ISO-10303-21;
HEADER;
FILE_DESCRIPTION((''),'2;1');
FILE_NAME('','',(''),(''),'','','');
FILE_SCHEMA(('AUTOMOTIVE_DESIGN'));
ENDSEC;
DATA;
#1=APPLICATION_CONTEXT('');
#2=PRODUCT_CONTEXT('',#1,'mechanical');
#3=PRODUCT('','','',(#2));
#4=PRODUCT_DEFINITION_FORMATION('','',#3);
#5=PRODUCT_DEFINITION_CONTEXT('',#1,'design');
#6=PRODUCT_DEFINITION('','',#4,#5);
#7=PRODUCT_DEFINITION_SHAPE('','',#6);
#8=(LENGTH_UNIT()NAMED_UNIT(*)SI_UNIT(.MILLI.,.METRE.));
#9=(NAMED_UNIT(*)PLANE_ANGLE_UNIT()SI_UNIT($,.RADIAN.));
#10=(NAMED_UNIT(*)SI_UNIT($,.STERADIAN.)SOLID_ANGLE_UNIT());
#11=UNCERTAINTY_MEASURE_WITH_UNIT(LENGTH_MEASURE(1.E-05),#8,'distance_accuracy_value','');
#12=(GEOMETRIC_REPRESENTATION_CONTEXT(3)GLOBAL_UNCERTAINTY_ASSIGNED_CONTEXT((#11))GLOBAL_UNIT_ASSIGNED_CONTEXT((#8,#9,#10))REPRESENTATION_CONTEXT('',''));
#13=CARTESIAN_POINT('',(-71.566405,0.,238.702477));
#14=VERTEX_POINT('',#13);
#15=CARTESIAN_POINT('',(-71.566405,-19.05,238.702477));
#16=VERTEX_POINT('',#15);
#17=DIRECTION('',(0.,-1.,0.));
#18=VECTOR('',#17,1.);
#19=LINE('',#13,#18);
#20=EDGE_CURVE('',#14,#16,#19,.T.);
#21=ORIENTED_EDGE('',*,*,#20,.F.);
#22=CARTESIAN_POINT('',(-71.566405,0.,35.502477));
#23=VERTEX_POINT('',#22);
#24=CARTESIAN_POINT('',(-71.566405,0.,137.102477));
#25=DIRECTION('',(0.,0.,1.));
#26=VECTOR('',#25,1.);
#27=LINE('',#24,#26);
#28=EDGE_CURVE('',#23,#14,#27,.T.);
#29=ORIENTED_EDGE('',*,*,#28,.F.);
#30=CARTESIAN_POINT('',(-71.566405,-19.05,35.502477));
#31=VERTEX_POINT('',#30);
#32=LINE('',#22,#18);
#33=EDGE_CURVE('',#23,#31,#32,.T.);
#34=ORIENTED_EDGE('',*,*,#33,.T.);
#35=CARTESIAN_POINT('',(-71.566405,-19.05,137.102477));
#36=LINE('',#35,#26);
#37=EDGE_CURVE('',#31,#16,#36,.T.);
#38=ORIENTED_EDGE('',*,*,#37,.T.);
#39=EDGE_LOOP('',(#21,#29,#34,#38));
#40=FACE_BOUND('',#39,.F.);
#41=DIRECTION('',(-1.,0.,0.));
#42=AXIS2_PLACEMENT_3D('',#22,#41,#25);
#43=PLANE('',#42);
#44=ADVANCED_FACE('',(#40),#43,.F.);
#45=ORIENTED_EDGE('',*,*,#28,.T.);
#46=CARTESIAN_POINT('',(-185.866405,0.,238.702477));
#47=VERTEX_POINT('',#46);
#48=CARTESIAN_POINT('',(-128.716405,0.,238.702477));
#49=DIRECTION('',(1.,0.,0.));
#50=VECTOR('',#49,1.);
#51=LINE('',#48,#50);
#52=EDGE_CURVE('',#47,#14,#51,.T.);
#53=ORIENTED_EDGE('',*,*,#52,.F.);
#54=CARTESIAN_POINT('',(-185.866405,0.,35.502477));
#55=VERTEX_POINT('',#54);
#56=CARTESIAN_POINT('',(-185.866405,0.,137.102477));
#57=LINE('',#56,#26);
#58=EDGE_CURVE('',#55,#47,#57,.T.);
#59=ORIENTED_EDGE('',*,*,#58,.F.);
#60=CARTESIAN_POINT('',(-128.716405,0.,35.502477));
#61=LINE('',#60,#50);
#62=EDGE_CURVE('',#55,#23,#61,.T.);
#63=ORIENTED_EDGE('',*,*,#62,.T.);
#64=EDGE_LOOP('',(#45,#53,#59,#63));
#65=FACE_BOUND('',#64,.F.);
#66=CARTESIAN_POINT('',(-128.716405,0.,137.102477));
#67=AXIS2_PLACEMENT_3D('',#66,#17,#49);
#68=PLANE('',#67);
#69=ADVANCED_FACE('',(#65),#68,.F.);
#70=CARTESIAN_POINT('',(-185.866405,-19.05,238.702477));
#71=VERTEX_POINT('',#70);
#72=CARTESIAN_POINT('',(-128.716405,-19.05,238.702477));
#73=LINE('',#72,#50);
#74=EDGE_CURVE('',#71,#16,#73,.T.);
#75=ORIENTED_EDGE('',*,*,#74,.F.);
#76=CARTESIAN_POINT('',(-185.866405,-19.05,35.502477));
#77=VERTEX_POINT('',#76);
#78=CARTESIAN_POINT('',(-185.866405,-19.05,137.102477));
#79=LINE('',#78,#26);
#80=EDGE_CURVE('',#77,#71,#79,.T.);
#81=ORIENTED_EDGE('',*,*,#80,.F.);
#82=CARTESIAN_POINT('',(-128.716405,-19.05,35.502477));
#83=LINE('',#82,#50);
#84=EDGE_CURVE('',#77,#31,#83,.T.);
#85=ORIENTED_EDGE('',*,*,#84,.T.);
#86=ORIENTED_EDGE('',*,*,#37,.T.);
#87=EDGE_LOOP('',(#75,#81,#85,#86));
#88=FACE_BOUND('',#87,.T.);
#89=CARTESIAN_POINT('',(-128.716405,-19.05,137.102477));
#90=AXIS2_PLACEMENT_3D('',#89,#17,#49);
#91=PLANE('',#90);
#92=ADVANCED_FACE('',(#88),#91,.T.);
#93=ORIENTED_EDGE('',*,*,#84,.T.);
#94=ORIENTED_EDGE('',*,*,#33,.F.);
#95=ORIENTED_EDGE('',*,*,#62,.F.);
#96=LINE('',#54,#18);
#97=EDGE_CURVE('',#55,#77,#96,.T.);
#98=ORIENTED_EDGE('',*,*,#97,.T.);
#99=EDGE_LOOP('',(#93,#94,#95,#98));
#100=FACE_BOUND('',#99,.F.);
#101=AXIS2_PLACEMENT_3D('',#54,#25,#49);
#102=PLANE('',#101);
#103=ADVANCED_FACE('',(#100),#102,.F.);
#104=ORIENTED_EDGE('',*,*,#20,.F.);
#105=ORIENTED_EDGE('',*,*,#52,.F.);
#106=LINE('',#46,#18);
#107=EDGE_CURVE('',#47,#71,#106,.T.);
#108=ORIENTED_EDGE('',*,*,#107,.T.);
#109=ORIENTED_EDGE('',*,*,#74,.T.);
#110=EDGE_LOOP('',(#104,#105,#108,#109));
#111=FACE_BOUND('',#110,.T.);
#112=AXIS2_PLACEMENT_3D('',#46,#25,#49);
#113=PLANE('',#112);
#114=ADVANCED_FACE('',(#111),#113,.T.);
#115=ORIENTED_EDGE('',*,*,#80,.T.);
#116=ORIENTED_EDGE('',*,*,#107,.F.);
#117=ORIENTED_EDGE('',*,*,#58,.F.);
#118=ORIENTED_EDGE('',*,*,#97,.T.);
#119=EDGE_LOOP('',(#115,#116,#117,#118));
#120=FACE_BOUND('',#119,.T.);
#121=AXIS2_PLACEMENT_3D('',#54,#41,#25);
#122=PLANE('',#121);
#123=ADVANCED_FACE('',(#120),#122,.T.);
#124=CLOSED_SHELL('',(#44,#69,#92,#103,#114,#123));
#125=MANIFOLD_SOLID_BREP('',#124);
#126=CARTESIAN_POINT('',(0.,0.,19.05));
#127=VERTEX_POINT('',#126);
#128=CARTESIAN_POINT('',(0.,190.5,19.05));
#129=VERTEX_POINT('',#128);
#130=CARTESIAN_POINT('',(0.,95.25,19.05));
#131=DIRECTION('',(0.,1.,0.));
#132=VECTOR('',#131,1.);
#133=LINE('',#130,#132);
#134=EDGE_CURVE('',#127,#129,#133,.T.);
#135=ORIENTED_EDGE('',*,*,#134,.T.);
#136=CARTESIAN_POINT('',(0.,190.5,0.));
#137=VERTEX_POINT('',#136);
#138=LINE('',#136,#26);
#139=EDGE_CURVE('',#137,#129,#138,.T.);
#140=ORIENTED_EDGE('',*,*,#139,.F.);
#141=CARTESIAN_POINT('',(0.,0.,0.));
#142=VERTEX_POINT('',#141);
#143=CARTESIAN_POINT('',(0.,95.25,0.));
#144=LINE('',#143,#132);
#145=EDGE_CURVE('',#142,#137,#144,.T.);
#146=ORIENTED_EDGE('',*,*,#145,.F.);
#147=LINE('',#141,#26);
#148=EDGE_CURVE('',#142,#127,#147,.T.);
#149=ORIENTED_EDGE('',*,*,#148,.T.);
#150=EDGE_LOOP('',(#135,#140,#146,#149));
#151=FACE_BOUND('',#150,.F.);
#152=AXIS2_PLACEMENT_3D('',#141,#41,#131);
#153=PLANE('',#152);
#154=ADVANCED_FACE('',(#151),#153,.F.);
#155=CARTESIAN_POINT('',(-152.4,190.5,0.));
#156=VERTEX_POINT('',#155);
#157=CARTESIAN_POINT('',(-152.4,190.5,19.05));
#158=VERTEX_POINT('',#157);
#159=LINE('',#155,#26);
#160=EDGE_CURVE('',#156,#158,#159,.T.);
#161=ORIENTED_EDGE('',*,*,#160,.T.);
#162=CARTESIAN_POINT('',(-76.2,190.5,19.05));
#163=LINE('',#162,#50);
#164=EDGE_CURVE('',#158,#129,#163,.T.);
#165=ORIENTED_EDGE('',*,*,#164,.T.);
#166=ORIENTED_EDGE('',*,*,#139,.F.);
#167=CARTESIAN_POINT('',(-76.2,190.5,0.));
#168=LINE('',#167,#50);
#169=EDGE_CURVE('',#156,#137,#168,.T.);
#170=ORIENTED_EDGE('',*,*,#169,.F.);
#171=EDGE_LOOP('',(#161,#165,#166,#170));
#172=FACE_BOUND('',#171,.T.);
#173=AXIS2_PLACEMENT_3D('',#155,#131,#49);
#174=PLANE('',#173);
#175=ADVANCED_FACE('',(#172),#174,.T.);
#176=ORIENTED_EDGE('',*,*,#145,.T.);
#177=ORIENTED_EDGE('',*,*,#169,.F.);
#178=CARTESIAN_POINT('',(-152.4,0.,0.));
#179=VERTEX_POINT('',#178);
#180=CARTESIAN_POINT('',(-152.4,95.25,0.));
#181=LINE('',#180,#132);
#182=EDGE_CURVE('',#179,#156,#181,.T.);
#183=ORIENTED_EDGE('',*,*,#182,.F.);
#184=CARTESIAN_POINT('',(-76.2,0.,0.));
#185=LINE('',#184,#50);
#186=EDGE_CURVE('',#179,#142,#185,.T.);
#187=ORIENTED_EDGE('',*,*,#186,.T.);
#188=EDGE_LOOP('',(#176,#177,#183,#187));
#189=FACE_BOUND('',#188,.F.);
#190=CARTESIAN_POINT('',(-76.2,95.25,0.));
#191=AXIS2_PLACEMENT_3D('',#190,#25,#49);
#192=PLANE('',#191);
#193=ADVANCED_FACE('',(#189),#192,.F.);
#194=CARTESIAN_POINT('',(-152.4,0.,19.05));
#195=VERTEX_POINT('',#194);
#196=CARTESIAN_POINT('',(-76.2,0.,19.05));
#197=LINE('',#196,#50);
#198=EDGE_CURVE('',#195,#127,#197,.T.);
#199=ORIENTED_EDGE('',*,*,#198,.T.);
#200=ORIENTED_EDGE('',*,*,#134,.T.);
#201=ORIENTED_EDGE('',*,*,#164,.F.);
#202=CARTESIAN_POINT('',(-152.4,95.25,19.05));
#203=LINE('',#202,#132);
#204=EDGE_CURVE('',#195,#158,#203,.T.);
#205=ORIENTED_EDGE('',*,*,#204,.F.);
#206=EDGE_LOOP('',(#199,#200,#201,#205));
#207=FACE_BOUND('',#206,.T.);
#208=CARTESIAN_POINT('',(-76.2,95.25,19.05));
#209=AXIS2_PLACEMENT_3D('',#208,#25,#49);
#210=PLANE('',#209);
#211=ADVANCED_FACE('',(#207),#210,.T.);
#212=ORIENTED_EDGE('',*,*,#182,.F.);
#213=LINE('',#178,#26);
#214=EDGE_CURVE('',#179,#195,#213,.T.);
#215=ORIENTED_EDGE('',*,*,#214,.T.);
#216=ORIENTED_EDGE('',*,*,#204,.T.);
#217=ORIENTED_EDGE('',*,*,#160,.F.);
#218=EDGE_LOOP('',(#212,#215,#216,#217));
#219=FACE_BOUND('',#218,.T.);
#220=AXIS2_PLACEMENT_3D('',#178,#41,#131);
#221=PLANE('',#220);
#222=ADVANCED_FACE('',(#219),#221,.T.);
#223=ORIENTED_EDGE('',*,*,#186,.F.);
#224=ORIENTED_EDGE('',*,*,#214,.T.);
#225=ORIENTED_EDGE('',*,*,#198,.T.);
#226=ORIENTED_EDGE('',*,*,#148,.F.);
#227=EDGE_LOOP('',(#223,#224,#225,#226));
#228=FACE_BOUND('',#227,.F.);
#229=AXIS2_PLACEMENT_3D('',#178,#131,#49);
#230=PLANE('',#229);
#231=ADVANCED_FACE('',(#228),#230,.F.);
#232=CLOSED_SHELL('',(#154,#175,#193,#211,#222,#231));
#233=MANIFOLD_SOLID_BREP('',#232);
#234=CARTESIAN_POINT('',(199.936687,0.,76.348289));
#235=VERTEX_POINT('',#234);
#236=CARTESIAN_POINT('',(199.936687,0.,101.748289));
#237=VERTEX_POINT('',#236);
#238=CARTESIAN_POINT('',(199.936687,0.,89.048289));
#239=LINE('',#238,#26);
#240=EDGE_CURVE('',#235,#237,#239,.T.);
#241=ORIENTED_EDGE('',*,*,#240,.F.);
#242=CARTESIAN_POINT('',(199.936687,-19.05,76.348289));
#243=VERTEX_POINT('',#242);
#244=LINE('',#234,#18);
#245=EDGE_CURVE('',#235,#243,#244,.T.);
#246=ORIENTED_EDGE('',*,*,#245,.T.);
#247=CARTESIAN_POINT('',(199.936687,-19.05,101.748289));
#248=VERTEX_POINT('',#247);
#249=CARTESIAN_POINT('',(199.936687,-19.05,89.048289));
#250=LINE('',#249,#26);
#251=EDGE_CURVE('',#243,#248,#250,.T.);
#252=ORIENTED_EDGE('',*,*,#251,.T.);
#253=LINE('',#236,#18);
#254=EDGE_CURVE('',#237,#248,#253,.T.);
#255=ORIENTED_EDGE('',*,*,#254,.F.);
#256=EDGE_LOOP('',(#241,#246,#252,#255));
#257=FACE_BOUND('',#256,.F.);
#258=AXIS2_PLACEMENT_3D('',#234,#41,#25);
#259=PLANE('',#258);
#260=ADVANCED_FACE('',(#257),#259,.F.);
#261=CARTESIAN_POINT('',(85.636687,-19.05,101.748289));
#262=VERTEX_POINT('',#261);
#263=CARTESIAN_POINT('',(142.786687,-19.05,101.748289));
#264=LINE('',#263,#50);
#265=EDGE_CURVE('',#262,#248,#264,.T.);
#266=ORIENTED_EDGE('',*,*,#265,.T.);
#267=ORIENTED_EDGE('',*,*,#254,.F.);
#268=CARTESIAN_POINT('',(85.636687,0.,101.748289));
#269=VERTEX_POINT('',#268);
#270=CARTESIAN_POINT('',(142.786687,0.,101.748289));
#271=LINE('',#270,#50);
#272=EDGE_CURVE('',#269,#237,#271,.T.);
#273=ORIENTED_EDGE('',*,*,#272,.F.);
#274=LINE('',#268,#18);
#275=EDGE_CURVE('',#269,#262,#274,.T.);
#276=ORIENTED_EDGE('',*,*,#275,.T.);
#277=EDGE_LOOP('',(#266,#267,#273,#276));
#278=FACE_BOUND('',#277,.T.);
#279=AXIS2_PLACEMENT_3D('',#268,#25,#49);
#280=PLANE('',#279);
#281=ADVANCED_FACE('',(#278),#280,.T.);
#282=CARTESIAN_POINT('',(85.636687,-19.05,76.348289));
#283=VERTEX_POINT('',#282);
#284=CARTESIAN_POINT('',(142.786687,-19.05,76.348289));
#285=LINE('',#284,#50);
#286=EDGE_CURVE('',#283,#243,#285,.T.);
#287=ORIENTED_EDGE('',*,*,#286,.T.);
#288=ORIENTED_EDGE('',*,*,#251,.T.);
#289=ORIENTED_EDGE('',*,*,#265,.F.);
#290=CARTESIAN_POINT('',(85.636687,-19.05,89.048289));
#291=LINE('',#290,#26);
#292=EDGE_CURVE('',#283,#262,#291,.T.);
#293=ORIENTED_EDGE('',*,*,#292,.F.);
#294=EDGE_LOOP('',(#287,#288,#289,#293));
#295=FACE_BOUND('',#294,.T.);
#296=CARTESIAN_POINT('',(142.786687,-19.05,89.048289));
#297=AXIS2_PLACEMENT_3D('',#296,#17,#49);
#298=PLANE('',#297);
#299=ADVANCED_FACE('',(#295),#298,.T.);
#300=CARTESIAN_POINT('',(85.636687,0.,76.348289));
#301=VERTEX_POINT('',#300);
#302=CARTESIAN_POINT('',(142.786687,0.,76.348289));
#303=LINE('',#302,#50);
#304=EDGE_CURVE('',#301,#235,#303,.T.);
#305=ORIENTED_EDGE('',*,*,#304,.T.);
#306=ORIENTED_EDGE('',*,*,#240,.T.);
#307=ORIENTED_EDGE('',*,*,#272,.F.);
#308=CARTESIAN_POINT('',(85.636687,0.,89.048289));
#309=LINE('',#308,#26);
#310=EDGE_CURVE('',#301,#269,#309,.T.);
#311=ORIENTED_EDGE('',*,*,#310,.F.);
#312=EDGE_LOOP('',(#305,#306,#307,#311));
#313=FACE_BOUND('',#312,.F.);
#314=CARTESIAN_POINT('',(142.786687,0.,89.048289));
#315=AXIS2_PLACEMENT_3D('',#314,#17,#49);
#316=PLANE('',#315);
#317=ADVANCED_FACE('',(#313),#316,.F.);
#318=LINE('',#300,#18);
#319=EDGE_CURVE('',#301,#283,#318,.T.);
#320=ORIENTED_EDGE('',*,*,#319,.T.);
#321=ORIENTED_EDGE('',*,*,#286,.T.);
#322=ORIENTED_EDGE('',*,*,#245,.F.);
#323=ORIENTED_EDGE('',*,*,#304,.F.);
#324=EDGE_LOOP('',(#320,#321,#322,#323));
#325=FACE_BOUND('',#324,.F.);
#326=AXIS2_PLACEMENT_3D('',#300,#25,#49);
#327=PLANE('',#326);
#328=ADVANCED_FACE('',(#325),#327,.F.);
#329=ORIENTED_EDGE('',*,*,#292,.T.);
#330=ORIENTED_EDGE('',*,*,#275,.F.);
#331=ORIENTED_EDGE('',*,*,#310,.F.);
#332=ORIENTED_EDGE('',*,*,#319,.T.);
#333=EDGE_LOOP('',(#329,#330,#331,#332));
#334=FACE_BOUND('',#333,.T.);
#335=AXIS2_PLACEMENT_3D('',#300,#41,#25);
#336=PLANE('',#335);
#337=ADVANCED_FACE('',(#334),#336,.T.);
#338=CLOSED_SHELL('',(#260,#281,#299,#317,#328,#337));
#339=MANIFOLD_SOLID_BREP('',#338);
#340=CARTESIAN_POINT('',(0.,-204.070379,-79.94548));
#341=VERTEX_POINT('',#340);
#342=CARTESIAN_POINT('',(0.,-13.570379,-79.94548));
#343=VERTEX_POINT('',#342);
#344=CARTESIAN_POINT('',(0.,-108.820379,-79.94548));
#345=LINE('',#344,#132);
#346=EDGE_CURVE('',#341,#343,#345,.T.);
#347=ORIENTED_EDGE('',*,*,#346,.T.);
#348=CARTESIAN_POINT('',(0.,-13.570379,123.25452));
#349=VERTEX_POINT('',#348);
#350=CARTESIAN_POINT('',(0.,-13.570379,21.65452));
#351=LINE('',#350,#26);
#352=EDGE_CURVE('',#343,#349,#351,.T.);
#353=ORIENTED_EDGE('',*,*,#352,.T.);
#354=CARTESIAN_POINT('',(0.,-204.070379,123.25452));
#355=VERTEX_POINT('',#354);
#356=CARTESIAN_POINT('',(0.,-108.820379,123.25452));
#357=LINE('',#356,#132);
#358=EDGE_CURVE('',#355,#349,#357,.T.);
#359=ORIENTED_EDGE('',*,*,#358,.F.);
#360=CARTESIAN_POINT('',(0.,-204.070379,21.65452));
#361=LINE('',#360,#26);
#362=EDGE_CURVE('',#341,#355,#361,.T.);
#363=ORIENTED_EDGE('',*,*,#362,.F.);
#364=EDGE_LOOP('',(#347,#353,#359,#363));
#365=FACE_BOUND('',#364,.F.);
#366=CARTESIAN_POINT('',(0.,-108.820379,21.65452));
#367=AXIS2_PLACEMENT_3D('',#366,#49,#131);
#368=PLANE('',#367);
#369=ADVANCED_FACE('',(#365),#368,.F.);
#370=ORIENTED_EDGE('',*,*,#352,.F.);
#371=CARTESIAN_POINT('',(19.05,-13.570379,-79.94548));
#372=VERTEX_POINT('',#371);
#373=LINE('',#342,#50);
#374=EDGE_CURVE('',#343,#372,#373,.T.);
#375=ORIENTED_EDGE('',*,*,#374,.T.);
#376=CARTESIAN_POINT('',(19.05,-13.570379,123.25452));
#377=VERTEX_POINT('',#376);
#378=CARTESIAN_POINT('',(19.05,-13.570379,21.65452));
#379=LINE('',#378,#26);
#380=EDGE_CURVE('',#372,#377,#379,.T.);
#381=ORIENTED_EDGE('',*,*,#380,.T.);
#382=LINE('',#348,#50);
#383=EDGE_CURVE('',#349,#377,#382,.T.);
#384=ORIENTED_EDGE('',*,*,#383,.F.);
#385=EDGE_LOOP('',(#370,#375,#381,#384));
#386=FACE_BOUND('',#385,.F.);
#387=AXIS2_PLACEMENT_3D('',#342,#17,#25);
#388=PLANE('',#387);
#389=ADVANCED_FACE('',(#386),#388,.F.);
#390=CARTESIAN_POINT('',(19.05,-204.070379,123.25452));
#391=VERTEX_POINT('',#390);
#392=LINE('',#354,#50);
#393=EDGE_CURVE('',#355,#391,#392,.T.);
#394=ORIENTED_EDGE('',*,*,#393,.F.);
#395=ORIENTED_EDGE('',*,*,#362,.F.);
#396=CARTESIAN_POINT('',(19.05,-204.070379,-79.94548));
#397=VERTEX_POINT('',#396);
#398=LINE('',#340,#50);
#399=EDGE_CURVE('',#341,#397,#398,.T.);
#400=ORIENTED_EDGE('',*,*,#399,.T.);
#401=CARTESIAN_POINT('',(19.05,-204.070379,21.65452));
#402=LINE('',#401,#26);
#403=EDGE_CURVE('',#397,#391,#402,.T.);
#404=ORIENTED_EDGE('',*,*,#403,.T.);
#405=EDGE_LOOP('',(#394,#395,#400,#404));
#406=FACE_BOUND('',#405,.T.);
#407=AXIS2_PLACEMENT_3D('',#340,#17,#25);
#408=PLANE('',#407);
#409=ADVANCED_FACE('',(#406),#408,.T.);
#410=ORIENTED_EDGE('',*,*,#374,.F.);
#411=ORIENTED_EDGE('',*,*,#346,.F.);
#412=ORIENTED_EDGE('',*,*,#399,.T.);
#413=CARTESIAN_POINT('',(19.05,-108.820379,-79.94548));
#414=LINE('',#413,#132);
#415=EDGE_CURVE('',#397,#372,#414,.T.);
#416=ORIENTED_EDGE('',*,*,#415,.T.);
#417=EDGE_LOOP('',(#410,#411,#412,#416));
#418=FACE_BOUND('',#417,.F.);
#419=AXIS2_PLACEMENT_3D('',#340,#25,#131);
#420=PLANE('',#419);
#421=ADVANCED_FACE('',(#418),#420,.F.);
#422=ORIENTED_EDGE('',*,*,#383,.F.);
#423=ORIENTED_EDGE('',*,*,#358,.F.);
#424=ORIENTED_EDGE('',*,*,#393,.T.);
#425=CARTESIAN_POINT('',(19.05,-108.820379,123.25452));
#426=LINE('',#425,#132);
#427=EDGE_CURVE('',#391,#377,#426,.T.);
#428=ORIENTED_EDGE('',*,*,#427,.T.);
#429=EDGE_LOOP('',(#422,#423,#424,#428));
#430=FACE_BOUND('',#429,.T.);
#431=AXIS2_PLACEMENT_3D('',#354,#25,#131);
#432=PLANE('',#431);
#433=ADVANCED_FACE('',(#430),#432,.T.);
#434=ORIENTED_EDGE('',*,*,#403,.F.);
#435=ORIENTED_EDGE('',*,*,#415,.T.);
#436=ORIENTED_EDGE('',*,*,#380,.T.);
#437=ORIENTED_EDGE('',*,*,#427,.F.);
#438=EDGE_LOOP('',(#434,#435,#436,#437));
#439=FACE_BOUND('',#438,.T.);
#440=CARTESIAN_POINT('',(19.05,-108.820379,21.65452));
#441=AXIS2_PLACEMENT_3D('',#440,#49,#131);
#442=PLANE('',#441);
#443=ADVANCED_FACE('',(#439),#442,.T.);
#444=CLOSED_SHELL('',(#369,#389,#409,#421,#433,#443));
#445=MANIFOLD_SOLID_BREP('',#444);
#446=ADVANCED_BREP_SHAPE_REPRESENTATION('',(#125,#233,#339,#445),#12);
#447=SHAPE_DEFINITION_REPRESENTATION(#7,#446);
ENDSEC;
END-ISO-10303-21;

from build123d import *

# Parameters (mm, degrees)
F0_W     = 152.4
F0_H     = 190.5
F1_DEPTH = 19.05
F2_W     = 114.3
F2_H     = 203.2
F3_DEPTH = 19.05
F4_W     = 190.5
F4_H     = 203.2
F5_DEPTH = 19.05
F6_W     = 114.3
F6_H     = 25.4
F7_DEPTH = 19.05


with BuildPart() as f1:
    # F0 (on Top) → F1 (new body)
    with BuildSketch(Plane.XY):
        with Locations((-76.2, 95.25)):
            Rectangle(F0_W, F0_H)
    extrude(amount=F1_DEPTH)


with BuildPart() as f3:
    # F2 (on Front) → F3 (new body)
    with BuildSketch(Plane.XZ):
        with Locations((-128.716405, 137.102477)):
            Rectangle(F2_W, F2_H)
    extrude(amount=F3_DEPTH)


with BuildPart() as f5:
    # F4 (on Right) → F5 (new body)
    with BuildSketch(Plane.YZ):
        with Locations((-108.820379, 21.65452)):
            Rectangle(F4_W, F4_H)
    extrude(amount=F5_DEPTH)


with BuildPart() as f7:
    # F6 (on Front) → F7 (new body)
    with BuildSketch(Plane.XZ):
        with Locations((142.786687, 89.048289)):
            Rectangle(F6_W, F6_H)
    extrude(amount=F7_DEPTH)


solid = Compound([f1.part, f3.part, f5.part, f7.part])
